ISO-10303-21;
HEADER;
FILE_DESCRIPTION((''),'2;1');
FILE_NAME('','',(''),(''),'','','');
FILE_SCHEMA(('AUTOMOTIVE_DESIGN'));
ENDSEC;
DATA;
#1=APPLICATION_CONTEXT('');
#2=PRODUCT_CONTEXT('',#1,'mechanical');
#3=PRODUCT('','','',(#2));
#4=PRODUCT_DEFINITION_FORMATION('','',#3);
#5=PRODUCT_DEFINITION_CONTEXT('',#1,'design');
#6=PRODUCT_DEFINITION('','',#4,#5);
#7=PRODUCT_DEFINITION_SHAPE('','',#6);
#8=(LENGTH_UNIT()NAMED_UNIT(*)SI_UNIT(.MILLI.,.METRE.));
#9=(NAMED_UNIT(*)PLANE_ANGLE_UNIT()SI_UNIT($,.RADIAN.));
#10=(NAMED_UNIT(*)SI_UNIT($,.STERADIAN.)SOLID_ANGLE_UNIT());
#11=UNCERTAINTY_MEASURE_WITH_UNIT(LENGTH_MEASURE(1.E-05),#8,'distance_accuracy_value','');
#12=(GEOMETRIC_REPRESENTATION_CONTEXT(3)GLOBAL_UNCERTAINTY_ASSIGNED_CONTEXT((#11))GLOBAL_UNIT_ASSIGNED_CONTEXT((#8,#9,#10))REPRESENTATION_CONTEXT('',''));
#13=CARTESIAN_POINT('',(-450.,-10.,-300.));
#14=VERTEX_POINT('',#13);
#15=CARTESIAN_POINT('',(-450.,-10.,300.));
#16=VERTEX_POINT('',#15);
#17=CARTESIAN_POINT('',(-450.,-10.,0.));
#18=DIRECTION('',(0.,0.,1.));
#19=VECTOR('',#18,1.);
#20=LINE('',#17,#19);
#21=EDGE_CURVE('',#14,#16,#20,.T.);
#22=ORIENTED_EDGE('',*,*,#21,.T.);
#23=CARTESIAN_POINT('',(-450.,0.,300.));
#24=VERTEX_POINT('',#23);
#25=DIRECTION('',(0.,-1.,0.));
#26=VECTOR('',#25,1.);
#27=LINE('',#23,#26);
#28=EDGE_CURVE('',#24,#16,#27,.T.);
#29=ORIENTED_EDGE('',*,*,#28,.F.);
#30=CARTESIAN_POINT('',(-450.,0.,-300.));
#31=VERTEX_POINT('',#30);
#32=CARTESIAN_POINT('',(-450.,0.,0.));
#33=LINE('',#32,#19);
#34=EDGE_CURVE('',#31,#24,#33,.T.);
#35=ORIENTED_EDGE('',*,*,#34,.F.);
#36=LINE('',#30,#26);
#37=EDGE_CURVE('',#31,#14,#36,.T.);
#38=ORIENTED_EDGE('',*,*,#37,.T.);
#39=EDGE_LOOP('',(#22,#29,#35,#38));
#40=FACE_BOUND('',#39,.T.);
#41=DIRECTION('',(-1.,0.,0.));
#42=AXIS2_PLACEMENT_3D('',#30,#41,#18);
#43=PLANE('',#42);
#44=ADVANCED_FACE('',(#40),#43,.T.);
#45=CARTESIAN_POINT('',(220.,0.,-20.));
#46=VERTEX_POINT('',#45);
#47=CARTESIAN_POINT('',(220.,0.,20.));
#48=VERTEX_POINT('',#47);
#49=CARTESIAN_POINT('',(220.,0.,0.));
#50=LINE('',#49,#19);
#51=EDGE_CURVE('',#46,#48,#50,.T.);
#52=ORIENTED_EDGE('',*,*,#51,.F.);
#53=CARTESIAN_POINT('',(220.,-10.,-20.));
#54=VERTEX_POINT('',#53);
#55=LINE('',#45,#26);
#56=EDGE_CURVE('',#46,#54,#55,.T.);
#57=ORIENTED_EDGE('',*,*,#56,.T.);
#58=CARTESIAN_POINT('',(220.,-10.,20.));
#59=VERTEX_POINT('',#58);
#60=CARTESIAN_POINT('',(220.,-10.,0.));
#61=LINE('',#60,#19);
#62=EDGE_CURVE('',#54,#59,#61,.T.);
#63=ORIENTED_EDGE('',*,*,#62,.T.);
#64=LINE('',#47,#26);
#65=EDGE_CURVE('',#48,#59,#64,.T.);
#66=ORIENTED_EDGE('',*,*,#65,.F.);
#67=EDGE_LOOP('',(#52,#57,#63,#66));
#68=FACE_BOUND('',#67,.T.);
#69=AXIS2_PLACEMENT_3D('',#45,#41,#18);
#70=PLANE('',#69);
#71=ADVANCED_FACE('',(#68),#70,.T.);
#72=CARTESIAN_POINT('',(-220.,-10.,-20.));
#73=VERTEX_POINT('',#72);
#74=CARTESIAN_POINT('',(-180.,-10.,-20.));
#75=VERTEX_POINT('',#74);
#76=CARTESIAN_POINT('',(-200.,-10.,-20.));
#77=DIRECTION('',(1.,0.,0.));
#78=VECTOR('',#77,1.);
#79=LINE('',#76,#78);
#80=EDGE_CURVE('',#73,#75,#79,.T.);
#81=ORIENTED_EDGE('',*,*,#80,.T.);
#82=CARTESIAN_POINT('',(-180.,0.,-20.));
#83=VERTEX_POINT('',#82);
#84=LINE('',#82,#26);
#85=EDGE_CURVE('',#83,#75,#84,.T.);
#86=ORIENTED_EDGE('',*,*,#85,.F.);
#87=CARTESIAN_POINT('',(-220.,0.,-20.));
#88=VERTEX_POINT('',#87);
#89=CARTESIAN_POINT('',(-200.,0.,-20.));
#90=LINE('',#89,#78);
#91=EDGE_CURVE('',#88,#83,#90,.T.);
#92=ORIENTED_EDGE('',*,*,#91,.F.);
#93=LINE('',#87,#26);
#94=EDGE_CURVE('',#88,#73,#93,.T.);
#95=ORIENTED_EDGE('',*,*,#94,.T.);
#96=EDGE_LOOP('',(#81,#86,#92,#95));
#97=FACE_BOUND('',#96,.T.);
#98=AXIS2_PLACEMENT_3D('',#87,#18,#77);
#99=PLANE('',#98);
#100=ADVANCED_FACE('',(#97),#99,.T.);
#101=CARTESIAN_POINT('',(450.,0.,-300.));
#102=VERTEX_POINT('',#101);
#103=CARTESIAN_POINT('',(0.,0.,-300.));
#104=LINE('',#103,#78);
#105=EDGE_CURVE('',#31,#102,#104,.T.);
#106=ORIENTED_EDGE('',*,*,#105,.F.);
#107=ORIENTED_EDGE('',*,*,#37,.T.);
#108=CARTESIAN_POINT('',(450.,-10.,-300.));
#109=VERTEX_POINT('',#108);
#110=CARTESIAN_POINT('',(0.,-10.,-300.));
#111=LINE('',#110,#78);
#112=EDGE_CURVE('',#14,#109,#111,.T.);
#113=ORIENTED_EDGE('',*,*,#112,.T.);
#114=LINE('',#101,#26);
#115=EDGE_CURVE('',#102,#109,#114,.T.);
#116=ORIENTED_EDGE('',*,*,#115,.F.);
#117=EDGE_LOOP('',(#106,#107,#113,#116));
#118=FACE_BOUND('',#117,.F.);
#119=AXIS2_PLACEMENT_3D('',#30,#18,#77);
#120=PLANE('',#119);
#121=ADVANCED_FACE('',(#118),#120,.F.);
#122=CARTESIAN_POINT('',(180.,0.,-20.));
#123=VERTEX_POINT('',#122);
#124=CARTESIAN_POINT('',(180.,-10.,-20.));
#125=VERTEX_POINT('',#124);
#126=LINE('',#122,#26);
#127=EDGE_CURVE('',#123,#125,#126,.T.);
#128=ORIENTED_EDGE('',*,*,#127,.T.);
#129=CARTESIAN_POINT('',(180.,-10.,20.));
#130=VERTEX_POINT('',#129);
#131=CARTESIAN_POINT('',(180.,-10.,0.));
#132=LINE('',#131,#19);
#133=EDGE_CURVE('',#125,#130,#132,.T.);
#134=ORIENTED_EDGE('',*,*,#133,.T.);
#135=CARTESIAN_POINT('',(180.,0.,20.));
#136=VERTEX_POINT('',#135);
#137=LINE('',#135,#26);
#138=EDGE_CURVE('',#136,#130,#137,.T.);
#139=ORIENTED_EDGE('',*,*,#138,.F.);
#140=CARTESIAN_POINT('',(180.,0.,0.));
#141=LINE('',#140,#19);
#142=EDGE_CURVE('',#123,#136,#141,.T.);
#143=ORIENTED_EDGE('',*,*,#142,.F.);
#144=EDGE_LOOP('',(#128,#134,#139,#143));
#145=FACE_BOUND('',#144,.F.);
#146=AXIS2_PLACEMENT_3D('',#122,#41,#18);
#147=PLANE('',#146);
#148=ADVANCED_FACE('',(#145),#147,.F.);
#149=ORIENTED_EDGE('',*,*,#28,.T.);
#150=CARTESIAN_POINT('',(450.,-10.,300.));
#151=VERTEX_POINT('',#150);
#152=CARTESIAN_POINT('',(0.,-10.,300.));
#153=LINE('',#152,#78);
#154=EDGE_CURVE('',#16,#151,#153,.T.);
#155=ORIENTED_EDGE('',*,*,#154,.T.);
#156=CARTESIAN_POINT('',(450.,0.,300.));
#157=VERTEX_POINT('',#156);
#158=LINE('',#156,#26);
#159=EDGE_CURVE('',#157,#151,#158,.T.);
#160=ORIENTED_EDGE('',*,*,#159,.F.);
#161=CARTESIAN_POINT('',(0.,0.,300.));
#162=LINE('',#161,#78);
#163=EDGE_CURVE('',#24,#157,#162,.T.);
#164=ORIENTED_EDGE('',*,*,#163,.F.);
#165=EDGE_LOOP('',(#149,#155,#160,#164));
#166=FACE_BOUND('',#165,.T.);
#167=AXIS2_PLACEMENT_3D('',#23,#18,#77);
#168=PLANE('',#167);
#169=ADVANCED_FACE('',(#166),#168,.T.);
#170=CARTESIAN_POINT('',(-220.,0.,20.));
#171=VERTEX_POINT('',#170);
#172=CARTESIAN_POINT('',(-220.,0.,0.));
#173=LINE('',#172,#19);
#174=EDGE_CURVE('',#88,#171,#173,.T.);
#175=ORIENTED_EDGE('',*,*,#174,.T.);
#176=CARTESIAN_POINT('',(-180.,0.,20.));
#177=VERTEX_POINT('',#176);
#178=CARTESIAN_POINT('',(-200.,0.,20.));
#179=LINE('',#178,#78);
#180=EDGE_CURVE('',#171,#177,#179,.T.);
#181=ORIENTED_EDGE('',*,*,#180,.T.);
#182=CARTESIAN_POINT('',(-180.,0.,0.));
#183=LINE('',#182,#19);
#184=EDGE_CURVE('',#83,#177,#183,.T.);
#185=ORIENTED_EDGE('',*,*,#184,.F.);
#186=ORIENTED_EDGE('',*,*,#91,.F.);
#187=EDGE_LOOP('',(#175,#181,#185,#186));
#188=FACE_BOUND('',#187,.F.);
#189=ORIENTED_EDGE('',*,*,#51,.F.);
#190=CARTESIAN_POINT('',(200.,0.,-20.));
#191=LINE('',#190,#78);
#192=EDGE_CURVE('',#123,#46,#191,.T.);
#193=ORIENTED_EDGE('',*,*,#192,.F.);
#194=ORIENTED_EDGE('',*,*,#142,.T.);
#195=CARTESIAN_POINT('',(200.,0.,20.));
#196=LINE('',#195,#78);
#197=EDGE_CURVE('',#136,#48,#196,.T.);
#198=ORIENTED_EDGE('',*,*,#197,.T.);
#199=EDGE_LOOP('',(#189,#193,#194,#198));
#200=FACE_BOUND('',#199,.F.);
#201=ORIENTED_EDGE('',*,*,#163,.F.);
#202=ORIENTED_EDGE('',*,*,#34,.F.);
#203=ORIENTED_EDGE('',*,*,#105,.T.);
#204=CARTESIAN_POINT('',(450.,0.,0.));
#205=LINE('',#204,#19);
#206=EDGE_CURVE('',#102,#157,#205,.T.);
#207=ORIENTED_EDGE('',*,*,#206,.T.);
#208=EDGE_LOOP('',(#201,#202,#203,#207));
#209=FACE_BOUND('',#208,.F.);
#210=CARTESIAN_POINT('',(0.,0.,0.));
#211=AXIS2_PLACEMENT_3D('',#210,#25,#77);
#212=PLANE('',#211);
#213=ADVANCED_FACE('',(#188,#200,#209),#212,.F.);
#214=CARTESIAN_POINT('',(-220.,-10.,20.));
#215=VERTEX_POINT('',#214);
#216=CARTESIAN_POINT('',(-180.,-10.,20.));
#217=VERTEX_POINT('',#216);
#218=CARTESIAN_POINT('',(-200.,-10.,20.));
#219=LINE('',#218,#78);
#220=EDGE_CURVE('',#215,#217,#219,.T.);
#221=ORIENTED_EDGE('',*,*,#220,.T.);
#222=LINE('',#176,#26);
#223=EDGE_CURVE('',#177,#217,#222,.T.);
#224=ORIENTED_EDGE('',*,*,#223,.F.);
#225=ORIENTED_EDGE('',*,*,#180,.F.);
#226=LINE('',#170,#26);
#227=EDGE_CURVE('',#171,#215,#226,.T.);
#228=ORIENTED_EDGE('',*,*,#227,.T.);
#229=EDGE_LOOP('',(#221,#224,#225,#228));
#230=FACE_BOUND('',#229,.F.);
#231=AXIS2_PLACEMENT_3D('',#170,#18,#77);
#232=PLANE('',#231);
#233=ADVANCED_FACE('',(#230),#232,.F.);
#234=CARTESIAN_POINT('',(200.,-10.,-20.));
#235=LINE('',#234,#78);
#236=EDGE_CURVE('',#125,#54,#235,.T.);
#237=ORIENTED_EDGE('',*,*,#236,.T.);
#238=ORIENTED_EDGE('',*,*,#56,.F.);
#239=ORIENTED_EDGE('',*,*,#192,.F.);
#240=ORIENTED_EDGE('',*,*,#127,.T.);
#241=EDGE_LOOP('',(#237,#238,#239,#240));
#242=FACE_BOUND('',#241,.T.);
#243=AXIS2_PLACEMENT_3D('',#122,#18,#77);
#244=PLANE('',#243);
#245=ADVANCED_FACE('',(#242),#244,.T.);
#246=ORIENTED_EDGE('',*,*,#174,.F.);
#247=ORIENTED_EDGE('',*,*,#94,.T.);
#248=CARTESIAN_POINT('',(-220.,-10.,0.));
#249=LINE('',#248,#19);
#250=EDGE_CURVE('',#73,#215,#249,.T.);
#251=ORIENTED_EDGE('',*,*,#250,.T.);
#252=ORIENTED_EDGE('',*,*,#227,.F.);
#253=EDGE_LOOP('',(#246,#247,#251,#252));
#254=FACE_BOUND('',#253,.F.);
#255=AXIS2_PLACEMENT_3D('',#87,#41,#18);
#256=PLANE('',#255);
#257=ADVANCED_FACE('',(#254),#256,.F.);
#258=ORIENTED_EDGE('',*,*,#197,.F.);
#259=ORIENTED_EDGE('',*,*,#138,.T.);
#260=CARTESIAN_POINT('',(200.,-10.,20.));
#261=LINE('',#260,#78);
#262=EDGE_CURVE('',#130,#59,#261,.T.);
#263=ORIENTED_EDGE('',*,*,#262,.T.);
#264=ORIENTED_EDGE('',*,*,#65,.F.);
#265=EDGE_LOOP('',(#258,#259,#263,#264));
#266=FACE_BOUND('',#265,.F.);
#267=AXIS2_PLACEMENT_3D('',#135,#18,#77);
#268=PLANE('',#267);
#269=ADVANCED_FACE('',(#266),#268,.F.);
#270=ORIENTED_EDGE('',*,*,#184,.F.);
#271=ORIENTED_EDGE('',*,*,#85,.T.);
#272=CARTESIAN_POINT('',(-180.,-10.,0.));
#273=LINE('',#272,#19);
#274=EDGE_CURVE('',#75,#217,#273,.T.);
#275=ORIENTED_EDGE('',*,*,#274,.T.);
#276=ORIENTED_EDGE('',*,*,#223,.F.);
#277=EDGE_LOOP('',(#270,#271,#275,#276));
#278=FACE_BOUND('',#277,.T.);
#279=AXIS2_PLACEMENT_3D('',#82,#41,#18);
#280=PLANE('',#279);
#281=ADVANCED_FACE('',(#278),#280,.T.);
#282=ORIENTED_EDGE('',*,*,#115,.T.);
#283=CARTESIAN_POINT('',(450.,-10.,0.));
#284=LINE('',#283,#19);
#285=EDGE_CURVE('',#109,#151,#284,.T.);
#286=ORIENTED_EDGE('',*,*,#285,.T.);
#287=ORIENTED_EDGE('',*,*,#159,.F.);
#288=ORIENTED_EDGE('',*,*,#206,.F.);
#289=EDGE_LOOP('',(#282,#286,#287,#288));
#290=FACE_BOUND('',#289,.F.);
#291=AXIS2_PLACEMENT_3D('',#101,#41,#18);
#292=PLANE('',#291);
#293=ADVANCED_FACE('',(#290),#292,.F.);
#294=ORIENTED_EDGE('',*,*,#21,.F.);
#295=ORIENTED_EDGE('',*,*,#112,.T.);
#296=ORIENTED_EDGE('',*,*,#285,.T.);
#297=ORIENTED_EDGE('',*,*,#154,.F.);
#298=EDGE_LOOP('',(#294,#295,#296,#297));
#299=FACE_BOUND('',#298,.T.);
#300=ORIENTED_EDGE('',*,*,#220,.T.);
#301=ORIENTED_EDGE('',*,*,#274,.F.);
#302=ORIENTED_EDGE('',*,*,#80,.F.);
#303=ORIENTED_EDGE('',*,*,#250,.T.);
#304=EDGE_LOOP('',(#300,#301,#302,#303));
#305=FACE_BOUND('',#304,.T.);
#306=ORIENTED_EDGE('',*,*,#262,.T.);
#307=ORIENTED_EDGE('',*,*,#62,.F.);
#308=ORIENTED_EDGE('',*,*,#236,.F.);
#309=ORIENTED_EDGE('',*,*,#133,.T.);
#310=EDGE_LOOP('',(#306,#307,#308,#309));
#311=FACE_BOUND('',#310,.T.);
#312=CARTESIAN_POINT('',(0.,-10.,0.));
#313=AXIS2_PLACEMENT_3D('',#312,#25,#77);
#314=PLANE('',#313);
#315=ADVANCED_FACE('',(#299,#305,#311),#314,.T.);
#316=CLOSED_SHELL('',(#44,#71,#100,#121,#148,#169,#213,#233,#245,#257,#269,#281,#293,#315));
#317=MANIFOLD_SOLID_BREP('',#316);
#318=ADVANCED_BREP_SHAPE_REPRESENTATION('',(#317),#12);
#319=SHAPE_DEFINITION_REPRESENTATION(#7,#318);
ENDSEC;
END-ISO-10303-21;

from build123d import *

# Parameters (mm, degrees)
SKETCH_W   = 900
SKETCH_H   = 600
SKETCH_W_2 = 40
SKETCH_H_2 = 40
PAD_DEPTH  = 10


with BuildPart() as part:
    # Sketch → Pad (new body)
    with BuildSketch(Plane.XZ):
        Rectangle(SKETCH_W, SKETCH_H)
        with Locations((-200, 0)):
            Rectangle(SKETCH_W_2, SKETCH_H_2, mode=Mode.SUBTRACT)
        with Locations((200, 0)):
            Rectangle(SKETCH_W_2, SKETCH_H_2, mode=Mode.SUBTRACT)
    extrude(amount=PAD_DEPTH)


solid = part.part
